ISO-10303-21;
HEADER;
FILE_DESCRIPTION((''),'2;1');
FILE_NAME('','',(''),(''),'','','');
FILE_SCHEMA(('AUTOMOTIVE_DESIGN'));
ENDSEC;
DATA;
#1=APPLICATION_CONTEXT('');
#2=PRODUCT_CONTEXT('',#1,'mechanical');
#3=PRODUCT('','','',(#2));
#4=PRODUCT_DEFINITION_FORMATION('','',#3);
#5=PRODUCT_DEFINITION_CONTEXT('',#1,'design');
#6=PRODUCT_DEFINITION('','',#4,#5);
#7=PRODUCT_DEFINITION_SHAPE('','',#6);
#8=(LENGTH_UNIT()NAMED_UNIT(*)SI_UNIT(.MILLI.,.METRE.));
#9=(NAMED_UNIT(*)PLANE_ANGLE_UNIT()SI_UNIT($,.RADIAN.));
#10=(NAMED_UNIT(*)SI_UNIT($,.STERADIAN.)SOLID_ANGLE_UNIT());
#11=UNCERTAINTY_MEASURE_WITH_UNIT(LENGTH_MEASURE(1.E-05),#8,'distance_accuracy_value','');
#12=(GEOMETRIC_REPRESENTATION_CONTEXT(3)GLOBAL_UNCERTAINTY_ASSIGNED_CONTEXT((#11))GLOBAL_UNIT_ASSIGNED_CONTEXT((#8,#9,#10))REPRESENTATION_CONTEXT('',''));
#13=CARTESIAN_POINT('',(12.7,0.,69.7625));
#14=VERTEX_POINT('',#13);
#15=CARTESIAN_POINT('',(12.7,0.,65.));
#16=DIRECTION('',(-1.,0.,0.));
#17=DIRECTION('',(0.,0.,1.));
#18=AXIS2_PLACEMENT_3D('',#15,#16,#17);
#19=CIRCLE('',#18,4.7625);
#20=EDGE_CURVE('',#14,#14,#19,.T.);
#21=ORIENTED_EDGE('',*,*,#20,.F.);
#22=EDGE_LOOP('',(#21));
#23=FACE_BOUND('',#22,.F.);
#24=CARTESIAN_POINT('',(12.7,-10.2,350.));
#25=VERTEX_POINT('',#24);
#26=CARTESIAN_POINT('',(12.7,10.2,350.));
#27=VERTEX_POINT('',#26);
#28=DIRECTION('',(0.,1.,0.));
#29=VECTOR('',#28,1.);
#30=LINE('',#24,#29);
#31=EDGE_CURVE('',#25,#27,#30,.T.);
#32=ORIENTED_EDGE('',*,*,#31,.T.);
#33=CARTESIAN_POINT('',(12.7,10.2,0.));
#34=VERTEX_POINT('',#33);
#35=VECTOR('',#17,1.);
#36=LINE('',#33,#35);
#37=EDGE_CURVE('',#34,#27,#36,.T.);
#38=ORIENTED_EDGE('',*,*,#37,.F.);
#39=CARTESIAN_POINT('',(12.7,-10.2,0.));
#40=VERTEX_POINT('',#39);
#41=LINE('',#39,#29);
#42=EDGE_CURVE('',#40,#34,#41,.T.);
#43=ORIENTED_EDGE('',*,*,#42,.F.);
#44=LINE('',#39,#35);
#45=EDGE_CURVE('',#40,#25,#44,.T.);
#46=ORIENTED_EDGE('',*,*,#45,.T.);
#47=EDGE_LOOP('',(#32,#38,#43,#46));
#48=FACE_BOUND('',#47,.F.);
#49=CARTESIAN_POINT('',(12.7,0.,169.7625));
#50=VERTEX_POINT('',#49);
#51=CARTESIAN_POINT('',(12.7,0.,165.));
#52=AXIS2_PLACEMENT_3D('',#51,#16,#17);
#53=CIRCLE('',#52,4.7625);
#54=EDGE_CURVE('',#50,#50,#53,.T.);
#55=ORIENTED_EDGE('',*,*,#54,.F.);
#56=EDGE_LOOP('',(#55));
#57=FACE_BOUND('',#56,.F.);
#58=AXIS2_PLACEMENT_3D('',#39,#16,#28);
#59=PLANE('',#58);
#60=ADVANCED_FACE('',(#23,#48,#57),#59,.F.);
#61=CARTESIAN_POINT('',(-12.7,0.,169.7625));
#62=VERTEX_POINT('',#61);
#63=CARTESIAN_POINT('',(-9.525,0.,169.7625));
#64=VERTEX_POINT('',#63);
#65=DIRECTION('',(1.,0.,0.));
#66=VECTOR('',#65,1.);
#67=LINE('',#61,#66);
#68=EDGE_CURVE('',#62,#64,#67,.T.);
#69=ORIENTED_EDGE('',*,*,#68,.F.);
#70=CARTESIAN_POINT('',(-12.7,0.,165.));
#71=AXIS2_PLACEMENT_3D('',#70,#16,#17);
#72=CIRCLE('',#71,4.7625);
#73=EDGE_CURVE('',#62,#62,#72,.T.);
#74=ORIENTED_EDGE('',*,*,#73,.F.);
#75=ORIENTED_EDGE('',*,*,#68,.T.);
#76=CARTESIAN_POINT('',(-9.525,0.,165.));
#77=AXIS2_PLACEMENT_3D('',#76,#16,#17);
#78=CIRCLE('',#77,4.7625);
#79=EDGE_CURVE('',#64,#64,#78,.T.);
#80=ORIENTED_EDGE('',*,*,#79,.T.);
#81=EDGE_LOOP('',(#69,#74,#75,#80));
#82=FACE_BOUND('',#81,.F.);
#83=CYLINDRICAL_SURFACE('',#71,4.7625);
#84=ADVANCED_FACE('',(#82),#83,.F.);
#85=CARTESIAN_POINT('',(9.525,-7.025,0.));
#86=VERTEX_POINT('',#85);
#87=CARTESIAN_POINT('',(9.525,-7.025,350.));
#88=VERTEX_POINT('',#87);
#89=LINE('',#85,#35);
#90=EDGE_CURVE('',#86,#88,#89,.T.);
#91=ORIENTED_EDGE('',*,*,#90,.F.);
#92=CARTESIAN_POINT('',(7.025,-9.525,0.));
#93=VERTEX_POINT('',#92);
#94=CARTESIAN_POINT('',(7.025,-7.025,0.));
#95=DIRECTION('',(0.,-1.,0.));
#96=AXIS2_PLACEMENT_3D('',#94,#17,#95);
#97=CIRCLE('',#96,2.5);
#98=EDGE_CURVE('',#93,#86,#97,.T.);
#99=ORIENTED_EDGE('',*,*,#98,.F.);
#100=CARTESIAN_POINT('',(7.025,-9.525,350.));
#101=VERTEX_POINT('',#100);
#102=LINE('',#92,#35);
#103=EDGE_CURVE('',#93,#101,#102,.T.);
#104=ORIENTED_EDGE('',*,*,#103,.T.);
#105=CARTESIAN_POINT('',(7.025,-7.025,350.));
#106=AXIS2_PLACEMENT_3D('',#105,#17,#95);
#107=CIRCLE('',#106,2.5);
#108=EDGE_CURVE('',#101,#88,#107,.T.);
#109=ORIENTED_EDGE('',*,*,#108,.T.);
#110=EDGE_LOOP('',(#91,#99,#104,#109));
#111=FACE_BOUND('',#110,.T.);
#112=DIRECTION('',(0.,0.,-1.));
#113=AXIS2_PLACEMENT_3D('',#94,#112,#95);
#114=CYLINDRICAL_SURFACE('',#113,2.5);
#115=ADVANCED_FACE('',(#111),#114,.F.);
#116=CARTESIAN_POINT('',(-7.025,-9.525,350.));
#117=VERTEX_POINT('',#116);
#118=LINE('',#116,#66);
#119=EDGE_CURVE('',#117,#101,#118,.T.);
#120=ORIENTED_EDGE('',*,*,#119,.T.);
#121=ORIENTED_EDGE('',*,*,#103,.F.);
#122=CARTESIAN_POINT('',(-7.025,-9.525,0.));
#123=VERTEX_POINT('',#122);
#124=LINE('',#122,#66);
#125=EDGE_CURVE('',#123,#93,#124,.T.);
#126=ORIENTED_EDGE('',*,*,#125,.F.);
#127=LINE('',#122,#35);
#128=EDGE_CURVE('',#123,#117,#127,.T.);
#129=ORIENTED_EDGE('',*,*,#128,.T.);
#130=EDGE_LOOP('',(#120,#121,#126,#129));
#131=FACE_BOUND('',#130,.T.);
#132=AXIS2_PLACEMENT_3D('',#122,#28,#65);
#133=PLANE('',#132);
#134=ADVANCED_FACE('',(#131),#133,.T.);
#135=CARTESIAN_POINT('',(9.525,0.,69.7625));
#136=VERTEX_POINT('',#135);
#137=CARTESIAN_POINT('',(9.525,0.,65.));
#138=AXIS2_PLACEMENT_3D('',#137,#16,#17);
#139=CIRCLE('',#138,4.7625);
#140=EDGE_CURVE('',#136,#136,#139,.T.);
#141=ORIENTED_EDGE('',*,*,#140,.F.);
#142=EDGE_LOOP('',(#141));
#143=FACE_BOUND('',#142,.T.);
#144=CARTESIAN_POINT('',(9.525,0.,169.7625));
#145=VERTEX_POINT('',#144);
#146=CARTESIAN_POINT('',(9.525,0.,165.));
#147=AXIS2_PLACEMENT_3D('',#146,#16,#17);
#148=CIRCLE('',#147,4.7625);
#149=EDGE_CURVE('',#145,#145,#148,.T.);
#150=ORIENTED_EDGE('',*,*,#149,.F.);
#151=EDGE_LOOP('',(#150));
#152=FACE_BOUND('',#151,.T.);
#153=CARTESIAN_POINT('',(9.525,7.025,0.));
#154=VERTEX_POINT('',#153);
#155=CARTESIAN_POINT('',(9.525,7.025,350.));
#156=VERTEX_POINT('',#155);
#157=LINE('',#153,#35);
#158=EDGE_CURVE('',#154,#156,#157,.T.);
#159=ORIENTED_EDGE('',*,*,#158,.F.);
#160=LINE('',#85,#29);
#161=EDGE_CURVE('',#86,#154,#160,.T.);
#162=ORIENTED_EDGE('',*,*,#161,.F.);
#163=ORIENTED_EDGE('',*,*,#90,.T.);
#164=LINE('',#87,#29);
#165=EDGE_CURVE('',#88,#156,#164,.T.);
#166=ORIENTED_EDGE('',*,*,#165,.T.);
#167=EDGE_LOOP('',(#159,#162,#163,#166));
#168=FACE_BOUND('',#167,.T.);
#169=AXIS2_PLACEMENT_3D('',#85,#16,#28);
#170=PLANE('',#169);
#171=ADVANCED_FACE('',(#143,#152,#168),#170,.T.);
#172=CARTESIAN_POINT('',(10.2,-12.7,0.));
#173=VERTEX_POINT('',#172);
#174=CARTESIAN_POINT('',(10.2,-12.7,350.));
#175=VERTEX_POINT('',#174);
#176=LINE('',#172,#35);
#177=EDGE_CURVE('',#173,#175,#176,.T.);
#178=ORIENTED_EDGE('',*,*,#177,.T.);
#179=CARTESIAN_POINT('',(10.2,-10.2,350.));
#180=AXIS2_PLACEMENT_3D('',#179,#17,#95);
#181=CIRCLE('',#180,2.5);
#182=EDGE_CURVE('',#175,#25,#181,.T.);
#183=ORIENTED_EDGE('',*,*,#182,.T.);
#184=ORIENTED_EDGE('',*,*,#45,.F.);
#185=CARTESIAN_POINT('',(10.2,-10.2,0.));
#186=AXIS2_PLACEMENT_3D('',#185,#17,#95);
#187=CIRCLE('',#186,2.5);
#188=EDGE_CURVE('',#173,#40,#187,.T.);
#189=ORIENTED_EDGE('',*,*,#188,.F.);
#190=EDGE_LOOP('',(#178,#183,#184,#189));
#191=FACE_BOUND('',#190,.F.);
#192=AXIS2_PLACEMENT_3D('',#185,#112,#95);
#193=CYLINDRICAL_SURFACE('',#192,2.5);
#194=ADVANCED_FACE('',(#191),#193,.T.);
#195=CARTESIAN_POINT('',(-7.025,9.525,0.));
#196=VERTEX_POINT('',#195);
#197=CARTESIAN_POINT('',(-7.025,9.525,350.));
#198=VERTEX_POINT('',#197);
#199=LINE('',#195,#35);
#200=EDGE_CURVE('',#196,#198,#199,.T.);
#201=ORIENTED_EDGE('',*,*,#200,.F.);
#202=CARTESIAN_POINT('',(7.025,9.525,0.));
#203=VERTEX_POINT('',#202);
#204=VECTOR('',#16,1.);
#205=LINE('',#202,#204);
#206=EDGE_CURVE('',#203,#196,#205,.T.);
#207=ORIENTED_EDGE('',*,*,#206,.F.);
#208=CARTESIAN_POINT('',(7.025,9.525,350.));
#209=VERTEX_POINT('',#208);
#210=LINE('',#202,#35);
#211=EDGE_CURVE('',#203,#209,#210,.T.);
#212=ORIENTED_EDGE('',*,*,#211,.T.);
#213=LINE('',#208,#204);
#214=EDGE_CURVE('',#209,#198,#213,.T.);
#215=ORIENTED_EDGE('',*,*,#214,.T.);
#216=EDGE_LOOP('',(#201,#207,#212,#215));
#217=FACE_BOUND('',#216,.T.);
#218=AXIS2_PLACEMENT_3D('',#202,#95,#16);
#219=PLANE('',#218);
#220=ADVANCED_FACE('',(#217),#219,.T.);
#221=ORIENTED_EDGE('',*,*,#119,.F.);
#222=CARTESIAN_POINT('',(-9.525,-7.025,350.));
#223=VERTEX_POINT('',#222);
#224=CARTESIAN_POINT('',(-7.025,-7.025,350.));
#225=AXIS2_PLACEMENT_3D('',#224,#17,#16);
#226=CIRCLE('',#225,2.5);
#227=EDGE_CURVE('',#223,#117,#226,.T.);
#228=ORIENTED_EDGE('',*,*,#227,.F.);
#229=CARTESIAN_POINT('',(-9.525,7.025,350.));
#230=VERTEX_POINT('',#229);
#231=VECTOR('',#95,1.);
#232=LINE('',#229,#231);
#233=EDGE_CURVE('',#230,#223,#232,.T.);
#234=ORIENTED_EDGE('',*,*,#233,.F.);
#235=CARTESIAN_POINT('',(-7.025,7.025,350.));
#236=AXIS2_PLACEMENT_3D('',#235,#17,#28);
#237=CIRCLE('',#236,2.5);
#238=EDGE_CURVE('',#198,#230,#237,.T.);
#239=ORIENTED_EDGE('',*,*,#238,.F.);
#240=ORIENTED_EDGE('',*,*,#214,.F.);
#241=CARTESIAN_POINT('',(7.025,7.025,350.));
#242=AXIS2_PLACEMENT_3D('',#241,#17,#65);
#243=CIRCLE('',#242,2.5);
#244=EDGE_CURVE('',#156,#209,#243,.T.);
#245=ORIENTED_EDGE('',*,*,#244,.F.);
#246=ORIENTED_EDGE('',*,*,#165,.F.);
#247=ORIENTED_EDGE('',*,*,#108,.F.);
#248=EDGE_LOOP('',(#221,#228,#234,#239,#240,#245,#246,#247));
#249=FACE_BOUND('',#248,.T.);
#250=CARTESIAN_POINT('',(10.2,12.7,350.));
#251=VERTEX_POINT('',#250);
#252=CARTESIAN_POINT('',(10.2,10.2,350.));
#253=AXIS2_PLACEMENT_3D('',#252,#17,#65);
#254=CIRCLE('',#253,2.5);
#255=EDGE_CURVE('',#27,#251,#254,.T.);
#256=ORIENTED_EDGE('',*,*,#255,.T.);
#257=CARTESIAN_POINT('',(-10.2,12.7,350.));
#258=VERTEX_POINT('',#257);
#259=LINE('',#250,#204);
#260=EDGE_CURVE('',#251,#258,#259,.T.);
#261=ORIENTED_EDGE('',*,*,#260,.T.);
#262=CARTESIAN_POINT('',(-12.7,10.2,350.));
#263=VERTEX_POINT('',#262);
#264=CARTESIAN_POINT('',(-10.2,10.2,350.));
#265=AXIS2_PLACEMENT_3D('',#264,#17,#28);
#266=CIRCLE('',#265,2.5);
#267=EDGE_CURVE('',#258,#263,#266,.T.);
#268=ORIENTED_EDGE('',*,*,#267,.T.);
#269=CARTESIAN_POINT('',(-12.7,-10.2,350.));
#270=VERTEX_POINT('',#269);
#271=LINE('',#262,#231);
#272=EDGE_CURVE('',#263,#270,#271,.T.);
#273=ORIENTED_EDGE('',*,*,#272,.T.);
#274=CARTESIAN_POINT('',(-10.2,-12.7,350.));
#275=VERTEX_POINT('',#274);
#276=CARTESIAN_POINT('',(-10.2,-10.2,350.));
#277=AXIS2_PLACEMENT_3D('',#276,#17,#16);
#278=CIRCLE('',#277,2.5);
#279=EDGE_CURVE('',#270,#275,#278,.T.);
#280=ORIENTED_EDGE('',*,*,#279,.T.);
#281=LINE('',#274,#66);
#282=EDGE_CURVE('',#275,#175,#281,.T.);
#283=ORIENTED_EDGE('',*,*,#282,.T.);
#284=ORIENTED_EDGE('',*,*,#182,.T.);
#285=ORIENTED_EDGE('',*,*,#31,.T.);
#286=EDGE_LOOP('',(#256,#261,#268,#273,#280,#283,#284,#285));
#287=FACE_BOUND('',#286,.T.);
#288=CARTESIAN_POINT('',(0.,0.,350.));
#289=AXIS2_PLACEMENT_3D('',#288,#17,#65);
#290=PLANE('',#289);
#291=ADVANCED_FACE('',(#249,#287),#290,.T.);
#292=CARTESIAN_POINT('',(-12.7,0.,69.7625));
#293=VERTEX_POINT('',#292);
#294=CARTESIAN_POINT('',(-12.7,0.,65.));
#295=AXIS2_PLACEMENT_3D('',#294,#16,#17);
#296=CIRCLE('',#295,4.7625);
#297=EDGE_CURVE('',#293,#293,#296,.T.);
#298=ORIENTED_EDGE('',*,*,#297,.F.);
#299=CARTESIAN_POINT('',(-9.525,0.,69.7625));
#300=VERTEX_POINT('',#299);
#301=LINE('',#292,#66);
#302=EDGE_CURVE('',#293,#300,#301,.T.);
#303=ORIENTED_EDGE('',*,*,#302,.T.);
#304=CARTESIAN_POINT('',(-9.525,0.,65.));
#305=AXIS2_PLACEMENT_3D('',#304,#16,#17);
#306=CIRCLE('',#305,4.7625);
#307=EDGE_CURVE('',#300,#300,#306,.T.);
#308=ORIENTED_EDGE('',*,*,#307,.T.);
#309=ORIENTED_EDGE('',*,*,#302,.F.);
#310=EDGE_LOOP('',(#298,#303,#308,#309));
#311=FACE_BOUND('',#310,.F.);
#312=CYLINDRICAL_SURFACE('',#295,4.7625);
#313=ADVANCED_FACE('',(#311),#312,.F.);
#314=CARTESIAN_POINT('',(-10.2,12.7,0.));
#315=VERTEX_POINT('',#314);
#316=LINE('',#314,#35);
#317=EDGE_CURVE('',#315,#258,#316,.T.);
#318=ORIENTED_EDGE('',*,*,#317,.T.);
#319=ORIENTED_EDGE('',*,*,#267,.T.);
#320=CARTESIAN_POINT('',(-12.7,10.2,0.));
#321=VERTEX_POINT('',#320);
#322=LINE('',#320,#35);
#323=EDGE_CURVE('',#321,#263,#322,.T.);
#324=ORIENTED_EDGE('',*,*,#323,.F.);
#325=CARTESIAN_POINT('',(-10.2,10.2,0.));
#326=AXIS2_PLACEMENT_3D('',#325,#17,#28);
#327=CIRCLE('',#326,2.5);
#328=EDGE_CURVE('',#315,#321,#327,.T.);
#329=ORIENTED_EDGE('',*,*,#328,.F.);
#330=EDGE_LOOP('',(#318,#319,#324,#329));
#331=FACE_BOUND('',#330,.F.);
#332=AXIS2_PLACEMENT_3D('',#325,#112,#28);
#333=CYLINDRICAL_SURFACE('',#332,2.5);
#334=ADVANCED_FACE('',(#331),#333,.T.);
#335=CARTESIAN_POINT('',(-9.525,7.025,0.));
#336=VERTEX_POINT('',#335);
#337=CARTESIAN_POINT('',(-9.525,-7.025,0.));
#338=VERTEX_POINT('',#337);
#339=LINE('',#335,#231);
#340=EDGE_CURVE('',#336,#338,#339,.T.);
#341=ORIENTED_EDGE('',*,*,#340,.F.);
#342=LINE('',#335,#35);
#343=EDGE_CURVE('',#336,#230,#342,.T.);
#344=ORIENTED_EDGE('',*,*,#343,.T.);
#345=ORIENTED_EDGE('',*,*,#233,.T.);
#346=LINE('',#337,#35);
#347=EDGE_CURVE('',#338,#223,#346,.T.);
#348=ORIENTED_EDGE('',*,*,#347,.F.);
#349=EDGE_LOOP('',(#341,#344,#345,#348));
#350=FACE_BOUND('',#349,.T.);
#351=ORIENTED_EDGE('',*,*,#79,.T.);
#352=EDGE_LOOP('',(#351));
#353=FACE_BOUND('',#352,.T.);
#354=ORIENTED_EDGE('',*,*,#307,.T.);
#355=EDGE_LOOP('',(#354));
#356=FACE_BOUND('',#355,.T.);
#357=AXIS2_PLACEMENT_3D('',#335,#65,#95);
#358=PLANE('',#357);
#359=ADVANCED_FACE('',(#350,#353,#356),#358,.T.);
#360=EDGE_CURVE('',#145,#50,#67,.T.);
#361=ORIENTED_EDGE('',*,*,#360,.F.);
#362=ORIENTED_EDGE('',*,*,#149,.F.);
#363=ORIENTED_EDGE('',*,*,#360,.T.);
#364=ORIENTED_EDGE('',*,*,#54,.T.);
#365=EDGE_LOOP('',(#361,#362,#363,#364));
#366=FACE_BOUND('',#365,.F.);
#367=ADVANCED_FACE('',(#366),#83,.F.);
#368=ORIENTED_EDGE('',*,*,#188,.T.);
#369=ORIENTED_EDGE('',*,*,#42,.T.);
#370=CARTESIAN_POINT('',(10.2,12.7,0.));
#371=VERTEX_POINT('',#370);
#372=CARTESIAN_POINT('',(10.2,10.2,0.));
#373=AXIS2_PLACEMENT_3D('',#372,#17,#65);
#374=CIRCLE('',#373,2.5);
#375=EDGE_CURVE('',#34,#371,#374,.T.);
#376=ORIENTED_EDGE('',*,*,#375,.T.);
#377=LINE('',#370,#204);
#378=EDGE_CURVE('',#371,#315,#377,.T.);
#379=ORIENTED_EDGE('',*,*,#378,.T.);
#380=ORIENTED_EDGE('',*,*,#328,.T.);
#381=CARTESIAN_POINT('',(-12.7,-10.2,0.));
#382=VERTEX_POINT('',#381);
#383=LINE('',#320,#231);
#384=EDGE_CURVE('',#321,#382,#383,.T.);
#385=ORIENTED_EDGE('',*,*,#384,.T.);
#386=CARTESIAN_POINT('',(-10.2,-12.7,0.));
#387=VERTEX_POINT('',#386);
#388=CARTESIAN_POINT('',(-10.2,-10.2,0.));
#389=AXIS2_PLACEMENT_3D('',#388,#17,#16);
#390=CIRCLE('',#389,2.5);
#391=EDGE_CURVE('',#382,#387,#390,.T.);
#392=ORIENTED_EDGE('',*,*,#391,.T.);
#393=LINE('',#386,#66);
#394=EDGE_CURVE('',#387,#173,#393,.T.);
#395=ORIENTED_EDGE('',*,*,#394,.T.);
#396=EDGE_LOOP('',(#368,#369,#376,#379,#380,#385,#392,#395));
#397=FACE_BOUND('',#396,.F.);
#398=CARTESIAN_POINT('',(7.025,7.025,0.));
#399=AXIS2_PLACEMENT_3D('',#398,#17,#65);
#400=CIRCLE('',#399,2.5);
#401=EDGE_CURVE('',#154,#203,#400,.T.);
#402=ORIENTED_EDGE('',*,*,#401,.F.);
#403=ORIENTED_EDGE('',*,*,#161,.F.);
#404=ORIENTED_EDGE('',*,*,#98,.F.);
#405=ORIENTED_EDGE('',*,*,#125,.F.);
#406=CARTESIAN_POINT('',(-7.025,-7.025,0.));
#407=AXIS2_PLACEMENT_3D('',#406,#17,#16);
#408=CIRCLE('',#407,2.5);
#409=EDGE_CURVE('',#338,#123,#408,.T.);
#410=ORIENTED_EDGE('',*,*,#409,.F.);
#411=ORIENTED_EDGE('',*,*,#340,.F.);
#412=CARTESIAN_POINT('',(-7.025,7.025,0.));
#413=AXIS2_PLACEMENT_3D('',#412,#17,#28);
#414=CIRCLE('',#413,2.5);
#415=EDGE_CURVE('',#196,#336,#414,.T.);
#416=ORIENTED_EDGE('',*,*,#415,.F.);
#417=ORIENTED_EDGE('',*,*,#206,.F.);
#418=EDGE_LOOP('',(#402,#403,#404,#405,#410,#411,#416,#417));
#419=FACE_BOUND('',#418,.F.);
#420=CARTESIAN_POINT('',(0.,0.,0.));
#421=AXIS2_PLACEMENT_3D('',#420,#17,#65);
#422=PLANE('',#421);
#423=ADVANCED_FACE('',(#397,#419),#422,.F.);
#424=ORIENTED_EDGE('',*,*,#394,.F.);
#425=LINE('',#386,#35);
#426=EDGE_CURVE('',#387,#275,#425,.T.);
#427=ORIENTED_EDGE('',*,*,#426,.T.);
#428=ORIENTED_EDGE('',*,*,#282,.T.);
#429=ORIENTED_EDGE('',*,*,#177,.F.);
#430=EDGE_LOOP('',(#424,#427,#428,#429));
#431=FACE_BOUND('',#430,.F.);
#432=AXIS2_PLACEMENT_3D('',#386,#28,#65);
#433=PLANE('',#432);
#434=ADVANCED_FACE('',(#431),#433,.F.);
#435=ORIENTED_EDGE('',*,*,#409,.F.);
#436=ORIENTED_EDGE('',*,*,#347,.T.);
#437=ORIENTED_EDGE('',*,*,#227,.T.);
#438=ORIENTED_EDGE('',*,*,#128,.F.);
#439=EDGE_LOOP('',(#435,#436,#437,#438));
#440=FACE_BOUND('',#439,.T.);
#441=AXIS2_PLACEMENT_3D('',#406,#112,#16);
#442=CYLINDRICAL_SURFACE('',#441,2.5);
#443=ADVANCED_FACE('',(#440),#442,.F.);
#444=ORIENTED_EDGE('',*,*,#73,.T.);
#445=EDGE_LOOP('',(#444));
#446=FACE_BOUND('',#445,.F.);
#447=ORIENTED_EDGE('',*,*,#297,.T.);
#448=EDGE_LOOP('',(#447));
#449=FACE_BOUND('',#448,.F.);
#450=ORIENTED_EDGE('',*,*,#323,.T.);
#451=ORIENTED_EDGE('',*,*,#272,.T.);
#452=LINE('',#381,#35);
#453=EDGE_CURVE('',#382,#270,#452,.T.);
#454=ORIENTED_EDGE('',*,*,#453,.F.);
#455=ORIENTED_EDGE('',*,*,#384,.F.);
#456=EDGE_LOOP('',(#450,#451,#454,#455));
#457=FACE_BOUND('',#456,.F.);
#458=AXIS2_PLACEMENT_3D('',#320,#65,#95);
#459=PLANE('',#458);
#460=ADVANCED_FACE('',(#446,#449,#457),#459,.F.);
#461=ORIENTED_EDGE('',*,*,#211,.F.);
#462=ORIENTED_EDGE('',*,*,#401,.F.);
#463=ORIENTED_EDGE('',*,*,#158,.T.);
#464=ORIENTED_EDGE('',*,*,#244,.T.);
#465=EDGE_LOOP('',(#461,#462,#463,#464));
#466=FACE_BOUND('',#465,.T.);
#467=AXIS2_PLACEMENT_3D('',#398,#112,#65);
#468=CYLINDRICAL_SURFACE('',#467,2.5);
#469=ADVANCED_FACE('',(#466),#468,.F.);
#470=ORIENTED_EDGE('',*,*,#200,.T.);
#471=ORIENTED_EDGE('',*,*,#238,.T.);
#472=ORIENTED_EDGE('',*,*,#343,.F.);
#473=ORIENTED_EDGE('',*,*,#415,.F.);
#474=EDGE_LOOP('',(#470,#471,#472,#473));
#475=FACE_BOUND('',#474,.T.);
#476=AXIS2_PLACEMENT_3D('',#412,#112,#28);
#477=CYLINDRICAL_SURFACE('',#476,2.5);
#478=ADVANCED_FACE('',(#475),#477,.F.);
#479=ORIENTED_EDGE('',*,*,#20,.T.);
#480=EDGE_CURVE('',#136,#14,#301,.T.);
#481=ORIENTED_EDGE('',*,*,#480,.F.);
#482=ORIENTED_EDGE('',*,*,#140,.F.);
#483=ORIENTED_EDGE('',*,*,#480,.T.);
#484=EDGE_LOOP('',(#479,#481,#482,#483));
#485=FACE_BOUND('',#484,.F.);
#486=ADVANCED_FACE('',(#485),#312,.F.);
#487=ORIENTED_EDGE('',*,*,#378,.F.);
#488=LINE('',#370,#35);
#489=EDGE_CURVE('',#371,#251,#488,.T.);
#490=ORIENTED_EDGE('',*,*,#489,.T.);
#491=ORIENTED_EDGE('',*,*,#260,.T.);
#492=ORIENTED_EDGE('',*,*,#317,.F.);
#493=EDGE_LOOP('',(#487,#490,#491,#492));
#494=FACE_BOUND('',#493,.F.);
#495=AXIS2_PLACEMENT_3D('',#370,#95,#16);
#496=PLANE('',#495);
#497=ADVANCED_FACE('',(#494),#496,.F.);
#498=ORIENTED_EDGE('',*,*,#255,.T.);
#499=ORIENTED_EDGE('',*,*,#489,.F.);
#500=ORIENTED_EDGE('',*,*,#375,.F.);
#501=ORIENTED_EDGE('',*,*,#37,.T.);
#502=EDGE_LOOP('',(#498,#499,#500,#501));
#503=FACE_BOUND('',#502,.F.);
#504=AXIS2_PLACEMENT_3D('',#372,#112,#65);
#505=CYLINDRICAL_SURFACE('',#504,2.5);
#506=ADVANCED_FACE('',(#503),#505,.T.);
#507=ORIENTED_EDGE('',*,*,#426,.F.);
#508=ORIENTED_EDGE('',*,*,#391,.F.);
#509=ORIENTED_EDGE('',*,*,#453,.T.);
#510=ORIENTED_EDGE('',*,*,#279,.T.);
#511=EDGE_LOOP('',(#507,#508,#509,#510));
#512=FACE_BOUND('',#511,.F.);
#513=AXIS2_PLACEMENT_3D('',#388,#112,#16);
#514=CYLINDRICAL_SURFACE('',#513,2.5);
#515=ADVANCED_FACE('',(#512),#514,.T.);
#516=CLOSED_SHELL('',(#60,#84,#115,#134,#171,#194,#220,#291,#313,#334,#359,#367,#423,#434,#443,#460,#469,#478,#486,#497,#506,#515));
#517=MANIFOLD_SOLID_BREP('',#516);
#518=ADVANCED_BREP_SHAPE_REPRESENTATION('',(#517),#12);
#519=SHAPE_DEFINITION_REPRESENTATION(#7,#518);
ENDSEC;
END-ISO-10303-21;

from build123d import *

# Parameters (mm, degrees)
SALIENTE_EXTRUIR1_DEPTH = 350
CROQUIS2_R              = 4.7625
CORTAR_EXTRUIR1_DEPTH   = 26.4


with BuildPart() as part:
    # Croquis1 → Saliente-Extruir1 (new body)
    with BuildSketch(Plane.XY):
        with BuildLine():
            Line((-10.2, -12.7), (10.2, -12.7))
            ThreePointArc((10.2, -12.7), (11.967766953, -11.967766953), (12.7, -10.2))
            Line((12.7, -10.2), (12.7, 10.2))
            ThreePointArc((12.7, 10.2), (11.967766953, 11.967766953), (10.2, 12.7))
            Line((10.2, 12.7), (-10.2, 12.7))
            ThreePointArc((-10.2, 12.7), (-11.967766953, 11.967766953), (-12.7, 10.2))
            Line((-12.7, 10.2), (-12.7, -10.2))
            ThreePointArc((-12.7, -10.2), (-11.967766953, -11.967766953), (-10.2, -12.7))
        make_face()
        with BuildLine():
            Line((-7.025, -9.525), (7.025, -9.525))
            ThreePointArc((7.025, -9.525), (8.792766953, -8.792766953), (9.525, -7.025))
            Line((9.525, -7.025), (9.525, 7.025))
            ThreePointArc((9.525, 7.025), (8.792766953, 8.792766953), (7.025, 9.525))
            Line((7.025, 9.525), (-7.025, 9.525))
            ThreePointArc((-7.025, 9.525), (-8.792766953, 8.792766953), (-9.525, 7.025))
            Line((-9.525, 7.025), (-9.525, -7.025))
            ThreePointArc((-9.525, -7.025), (-8.792766953, -8.792766953), (-7.025, -9.525))
        make_face(mode=Mode.SUBTRACT)
    extrude(amount=SALIENTE_EXTRUIR1_DEPTH)

    # Croquis2 → Cortar-Extruir1 (cut, through all)
    with BuildSketch(Plane.ZY.offset(12.7)):
        with Locations((65, 0)):
            Circle(CROQUIS2_R)
        with Locations((165, 0)):
            Circle(CROQUIS2_R)
    extrude(amount=-CORTAR_EXTRUIR1_DEPTH, mode=Mode.SUBTRACT)


solid = part.part
